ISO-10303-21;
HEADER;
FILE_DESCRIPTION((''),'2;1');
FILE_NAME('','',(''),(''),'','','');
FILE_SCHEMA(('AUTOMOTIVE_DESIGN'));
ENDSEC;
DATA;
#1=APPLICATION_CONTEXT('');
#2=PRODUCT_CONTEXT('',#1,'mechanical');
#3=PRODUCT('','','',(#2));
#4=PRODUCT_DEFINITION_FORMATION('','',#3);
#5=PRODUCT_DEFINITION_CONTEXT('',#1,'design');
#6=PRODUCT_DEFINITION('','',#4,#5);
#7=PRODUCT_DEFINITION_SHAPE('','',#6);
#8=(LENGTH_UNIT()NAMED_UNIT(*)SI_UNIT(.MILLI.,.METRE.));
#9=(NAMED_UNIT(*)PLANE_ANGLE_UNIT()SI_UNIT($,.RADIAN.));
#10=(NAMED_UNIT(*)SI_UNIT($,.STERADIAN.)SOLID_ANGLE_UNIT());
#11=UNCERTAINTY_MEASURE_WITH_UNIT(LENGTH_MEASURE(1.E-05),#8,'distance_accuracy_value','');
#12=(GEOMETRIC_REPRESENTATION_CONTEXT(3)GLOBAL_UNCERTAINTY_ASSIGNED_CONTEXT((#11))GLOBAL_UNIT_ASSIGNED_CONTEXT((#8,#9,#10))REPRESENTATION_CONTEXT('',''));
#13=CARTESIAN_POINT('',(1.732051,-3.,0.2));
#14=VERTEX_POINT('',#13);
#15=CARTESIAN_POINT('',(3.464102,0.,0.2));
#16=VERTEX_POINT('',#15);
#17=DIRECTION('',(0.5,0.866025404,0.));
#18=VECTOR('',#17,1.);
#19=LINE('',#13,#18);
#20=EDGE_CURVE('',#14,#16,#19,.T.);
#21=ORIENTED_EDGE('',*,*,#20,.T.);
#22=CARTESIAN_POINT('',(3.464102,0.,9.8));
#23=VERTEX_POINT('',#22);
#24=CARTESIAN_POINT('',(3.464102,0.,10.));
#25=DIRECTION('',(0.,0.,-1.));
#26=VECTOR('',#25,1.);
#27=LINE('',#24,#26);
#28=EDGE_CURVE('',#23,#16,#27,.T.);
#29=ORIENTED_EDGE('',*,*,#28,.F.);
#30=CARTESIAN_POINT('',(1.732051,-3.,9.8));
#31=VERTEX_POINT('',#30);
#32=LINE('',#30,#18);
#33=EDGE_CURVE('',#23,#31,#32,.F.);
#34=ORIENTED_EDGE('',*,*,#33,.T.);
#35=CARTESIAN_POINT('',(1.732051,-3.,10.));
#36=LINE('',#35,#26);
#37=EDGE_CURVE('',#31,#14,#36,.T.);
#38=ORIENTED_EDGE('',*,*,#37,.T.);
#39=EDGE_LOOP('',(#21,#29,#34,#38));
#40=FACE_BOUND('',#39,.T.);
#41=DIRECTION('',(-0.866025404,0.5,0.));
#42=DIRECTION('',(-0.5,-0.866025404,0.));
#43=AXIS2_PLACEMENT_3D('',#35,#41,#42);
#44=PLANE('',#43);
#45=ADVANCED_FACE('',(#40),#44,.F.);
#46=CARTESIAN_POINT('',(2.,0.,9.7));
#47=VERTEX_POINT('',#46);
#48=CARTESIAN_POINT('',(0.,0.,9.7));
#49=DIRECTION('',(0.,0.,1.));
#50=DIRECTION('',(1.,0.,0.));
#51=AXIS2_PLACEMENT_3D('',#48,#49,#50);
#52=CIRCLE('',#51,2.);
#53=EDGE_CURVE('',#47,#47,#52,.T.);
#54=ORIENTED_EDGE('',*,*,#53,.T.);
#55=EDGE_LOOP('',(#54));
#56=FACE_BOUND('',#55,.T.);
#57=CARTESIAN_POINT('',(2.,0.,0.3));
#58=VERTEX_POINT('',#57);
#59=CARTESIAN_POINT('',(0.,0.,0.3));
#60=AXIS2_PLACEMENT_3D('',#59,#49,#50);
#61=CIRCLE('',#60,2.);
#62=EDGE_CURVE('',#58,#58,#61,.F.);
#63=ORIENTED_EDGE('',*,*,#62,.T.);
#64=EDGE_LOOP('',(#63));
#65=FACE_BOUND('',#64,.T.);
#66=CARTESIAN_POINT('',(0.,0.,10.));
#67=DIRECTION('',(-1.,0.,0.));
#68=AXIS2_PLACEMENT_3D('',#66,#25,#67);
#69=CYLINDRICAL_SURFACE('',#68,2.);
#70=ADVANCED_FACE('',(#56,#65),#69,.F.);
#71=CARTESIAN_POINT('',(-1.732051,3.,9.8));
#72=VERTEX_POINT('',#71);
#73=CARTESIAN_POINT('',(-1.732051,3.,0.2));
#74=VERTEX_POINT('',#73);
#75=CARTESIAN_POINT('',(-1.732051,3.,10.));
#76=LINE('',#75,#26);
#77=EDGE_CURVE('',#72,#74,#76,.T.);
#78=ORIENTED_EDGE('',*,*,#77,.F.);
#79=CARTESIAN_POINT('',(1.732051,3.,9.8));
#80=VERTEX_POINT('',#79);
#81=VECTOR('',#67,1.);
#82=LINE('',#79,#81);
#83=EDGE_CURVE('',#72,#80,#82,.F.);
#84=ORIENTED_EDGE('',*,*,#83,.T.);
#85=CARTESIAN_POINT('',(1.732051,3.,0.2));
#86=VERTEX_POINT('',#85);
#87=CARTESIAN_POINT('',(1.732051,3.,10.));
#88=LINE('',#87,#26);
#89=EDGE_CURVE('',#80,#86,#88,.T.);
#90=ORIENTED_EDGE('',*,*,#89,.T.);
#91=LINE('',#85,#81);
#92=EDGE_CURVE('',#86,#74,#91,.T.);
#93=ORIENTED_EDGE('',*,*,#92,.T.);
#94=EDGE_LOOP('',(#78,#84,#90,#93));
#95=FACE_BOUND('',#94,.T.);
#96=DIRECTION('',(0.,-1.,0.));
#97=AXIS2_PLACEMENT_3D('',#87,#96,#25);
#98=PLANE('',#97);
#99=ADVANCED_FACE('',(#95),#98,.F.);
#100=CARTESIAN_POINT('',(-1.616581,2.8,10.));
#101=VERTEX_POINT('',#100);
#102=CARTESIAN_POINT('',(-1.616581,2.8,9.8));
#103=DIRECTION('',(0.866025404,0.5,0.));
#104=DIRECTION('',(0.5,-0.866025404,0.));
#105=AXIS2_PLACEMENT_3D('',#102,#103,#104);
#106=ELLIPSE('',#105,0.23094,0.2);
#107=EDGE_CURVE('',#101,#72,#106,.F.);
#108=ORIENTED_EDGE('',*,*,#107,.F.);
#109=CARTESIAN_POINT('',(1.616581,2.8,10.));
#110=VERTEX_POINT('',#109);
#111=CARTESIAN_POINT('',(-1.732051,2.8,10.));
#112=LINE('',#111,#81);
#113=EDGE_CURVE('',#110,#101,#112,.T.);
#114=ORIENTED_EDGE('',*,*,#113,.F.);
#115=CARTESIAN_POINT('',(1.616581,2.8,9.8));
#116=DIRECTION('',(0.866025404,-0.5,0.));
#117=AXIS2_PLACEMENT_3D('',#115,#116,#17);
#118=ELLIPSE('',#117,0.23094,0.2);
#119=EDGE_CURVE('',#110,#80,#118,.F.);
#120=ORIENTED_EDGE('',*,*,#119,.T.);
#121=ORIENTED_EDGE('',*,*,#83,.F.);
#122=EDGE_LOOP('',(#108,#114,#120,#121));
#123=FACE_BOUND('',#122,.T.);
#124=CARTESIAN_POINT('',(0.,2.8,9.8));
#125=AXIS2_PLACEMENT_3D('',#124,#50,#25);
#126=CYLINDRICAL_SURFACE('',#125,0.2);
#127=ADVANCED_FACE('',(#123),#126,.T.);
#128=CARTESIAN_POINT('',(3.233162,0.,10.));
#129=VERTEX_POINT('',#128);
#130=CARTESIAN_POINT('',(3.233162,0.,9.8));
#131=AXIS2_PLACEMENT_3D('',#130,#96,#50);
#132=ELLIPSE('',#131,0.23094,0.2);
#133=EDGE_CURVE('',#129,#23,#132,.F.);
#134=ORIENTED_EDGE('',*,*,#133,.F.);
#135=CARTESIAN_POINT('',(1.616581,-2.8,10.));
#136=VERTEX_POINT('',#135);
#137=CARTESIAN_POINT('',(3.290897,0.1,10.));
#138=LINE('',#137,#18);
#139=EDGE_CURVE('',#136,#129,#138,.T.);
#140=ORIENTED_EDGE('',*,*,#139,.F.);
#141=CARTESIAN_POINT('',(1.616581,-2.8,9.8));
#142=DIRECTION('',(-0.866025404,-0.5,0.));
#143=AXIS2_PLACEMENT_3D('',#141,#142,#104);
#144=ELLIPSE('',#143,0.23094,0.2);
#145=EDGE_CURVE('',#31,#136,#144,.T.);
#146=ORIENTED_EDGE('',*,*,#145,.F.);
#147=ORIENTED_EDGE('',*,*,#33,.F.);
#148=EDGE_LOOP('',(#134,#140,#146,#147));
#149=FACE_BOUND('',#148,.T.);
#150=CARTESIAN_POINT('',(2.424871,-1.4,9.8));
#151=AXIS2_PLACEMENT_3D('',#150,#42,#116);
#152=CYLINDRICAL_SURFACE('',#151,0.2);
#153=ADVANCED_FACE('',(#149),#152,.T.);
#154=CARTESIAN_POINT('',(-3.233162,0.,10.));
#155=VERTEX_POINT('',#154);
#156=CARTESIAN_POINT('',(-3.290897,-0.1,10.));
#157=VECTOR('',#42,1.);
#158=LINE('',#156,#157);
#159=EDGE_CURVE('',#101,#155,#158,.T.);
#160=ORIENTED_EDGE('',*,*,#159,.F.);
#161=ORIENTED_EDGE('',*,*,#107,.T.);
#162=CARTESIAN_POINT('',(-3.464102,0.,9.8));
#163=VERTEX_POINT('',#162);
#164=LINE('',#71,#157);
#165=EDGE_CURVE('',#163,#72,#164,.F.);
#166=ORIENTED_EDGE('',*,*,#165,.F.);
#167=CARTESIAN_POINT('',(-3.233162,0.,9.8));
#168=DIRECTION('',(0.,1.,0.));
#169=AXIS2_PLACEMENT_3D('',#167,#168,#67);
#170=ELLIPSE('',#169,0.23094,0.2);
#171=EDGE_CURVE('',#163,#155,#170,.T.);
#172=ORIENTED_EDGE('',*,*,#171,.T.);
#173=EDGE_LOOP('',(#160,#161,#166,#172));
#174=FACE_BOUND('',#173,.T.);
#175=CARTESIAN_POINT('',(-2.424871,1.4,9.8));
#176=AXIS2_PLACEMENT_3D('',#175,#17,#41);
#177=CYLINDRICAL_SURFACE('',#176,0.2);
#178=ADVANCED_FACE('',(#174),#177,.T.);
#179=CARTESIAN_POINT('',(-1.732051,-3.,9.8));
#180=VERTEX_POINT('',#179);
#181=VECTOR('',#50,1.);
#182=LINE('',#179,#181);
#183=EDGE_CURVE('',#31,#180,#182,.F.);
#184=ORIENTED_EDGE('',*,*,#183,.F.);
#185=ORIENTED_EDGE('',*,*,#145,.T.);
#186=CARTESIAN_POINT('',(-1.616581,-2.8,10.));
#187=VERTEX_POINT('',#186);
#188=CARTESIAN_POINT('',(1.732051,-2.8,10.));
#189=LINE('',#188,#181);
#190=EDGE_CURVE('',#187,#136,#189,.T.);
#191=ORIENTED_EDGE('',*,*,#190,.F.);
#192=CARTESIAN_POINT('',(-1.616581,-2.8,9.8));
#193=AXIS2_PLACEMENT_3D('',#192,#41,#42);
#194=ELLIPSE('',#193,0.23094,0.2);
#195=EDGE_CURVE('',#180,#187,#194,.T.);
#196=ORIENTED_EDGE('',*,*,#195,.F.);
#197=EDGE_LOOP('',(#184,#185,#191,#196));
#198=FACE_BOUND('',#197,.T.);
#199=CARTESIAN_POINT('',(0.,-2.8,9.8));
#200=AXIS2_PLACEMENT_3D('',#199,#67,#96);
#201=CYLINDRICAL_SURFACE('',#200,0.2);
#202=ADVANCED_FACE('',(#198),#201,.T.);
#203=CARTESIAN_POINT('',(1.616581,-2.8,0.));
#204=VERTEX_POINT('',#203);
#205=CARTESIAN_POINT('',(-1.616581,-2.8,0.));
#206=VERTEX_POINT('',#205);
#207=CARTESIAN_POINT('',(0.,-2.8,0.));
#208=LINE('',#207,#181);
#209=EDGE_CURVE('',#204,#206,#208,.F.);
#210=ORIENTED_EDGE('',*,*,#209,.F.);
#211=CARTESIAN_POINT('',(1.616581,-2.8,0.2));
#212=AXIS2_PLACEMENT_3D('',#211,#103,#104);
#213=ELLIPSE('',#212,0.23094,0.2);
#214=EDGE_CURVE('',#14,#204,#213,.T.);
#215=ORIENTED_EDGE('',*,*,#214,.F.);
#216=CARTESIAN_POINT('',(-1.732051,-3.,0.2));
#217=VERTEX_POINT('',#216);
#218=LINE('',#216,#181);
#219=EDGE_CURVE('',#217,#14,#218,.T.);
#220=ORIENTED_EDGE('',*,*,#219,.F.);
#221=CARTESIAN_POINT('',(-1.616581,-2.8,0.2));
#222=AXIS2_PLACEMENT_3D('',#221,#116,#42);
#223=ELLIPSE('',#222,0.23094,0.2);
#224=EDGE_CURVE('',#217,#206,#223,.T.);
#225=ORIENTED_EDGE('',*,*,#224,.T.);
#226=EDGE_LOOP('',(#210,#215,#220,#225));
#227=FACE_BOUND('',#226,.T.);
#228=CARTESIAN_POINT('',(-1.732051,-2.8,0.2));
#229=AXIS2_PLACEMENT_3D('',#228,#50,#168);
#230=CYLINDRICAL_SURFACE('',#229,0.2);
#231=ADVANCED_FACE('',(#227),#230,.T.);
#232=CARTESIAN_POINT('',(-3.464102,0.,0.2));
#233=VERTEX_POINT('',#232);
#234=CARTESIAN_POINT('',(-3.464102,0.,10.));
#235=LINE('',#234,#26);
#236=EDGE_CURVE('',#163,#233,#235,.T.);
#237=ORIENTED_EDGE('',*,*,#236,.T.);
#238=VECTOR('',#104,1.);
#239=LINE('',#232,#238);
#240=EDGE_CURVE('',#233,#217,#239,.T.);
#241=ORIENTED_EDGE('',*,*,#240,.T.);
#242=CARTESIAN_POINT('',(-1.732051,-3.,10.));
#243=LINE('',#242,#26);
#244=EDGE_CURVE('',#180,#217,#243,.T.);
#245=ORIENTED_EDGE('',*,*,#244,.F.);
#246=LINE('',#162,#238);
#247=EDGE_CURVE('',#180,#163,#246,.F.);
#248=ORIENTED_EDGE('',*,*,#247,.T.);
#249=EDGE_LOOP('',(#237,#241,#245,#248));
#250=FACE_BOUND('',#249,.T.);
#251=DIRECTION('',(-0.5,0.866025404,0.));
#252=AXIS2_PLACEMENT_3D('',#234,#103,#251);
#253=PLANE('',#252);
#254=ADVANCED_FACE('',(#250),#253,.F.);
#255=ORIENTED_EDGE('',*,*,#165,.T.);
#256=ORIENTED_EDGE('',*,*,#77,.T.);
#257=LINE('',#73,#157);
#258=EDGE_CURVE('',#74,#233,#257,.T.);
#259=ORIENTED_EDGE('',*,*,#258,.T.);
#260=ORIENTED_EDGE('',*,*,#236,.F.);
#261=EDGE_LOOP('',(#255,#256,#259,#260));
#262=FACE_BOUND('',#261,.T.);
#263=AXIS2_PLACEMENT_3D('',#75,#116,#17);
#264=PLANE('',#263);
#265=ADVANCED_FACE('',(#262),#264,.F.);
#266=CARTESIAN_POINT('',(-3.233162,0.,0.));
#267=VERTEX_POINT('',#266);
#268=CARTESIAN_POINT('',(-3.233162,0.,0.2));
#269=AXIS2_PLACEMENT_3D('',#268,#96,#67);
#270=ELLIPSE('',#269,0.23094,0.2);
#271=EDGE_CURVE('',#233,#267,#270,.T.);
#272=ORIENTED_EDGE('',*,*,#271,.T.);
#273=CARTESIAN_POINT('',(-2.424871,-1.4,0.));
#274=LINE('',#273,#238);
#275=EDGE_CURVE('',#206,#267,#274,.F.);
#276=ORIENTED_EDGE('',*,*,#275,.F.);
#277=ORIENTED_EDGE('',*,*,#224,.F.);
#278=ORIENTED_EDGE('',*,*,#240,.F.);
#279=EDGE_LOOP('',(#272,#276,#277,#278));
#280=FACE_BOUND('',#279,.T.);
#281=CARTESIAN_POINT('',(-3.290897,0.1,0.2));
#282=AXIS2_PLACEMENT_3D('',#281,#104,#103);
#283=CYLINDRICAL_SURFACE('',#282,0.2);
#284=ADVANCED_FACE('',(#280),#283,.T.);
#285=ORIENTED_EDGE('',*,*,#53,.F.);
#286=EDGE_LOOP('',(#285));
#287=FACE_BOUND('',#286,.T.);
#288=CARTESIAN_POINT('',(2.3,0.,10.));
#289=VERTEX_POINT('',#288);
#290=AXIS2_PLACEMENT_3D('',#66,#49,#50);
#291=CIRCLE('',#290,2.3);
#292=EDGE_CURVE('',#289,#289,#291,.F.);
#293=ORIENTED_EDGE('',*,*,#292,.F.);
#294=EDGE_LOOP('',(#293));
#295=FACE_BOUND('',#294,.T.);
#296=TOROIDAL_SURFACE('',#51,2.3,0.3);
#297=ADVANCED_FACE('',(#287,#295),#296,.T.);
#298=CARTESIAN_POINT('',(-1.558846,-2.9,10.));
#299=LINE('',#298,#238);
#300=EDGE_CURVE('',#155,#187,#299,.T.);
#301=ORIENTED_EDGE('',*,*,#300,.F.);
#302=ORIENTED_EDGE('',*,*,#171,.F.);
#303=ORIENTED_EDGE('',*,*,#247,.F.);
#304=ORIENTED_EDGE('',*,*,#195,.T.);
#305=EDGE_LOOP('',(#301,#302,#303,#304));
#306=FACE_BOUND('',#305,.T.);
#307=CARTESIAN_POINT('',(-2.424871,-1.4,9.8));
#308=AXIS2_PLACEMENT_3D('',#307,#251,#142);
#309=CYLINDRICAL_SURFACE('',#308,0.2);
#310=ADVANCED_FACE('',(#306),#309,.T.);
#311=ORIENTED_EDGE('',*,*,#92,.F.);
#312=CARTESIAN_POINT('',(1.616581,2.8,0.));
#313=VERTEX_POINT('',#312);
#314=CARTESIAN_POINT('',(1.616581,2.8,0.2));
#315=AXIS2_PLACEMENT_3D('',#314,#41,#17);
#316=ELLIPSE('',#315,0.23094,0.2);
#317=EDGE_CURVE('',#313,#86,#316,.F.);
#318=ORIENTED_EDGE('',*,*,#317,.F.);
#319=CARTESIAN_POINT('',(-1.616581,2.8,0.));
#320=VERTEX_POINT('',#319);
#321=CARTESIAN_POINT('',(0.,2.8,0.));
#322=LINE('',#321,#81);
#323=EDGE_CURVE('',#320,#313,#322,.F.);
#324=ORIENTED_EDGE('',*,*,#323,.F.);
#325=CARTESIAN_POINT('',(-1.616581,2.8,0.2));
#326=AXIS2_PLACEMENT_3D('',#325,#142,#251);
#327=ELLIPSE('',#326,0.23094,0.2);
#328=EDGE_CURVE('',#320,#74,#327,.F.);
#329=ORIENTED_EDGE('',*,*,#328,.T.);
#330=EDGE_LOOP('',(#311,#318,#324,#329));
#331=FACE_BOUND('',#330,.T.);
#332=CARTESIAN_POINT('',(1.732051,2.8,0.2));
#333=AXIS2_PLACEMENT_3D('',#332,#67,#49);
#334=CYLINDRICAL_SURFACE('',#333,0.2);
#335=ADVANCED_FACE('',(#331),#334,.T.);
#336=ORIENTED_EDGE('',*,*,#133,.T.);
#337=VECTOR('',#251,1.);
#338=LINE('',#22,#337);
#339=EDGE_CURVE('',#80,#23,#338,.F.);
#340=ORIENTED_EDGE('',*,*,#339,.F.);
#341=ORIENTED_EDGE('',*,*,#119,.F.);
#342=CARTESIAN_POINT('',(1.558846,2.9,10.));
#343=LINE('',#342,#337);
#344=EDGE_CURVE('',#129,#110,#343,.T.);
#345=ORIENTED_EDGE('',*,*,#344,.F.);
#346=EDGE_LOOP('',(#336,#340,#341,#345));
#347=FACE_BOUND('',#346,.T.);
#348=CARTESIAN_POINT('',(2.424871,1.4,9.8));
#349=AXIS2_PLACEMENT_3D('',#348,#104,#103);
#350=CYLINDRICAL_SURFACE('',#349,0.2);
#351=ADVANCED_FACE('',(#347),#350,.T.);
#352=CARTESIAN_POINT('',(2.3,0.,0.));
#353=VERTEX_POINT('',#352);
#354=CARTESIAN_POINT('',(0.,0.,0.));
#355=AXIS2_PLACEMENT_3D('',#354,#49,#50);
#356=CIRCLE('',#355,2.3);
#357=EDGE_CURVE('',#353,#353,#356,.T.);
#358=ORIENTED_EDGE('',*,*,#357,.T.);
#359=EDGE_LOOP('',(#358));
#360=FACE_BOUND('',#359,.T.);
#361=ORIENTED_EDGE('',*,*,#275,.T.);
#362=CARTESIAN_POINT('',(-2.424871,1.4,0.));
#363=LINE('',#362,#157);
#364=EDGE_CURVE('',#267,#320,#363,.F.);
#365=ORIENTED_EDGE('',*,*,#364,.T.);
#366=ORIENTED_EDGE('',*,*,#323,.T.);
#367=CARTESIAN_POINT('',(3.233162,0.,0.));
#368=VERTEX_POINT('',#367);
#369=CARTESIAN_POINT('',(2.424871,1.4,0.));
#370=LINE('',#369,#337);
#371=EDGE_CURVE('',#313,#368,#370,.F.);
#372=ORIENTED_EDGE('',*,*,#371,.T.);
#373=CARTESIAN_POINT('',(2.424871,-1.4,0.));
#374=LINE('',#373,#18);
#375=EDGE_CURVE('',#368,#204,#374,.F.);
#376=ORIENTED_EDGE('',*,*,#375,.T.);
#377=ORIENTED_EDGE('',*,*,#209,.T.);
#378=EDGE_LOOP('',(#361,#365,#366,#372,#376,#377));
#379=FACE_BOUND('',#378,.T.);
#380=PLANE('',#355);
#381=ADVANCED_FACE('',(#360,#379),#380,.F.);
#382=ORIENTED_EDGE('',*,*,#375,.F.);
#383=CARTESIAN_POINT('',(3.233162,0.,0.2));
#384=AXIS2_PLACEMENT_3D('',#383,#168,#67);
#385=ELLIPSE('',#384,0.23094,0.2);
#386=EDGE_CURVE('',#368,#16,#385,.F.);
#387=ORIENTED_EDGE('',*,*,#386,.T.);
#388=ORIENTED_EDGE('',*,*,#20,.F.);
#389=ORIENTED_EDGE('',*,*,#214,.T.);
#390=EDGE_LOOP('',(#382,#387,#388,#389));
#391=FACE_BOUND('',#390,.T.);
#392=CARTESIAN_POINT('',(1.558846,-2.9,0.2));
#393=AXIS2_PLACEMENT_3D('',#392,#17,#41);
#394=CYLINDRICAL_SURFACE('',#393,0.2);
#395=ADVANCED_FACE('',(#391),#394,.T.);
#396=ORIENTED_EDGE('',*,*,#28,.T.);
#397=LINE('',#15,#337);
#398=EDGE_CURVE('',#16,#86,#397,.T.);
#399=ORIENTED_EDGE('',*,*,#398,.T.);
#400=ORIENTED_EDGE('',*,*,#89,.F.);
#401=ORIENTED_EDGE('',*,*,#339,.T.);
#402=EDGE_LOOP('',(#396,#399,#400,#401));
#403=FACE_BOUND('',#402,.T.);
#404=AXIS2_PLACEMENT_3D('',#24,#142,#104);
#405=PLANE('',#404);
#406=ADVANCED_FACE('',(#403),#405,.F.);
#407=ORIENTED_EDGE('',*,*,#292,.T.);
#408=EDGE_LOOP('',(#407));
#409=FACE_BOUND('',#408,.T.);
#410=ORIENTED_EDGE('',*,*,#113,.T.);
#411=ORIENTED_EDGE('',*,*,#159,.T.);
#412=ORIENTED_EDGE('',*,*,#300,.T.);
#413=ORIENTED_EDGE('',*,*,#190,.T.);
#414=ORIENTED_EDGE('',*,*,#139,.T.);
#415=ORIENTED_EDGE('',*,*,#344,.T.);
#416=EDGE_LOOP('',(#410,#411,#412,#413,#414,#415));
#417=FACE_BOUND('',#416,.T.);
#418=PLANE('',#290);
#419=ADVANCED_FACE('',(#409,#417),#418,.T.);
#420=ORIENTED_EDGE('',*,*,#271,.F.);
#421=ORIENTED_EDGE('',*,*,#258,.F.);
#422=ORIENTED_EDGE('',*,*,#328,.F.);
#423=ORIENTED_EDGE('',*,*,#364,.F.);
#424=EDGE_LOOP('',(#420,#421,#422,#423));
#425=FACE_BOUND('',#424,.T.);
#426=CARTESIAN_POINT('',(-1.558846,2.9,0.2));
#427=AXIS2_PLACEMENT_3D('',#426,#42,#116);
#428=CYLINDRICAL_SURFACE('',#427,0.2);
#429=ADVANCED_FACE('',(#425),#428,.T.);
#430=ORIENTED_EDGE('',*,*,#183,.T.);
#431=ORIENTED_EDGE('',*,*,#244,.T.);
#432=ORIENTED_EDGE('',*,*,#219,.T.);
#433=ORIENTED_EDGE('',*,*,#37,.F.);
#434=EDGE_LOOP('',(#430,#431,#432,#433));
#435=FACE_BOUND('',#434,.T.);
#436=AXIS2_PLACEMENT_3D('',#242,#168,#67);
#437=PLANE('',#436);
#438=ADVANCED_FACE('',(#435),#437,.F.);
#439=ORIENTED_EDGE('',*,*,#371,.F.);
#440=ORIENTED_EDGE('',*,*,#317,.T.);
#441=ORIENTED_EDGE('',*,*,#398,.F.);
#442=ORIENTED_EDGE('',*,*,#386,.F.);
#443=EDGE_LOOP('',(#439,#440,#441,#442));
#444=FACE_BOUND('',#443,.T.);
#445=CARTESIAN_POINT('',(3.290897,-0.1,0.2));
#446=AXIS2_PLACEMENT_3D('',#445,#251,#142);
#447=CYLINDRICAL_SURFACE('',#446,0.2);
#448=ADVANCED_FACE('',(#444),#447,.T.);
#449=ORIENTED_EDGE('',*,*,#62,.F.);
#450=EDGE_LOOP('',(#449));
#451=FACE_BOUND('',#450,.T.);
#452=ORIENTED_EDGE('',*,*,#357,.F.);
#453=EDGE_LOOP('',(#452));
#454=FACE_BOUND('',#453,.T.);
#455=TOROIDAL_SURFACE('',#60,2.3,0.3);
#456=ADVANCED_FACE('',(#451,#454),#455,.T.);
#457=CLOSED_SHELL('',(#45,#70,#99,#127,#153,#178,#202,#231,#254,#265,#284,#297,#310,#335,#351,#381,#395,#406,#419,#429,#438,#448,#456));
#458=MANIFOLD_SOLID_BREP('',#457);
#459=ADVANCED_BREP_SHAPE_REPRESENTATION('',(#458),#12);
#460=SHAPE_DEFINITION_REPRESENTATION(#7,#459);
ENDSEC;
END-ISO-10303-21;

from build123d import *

# Parameters (mm, degrees)
SKETCH1_R           = 2
BOSS_EXTRUDE1_DEPTH = 10
FILLET1_R           = 0.3
FILLET2_R           = 0.2


with BuildPart() as part:
    # Sketch1 → Boss-Extrude1 (new body)
    with BuildSketch(Plane.XY):
        Polygon((3.464101615, 0), (1.732050808, 3), (-1.732050808, 3), (-3.464101615, 0), (-1.732050808, -3), (1.732050808, -3), align=None)
        Circle(SKETCH1_R, mode=Mode.SUBTRACT)
    extrude(amount=BOSS_EXTRUDE1_DEPTH)

    # Fillet1
    fillet1_edges = [part.edges().sort_by_distance(p)[0] for p in [
        (-2, 0, 0),
        (-2, 0, 10),
    ]]
    fillet(fillet1_edges, radius=FILLET1_R)

    # Fillet2
    fillet2_edges = [part.edges().sort_by_distance(p)[0] for p in [
        (0, 3, 10),
        (-2.598076211, 1.5, 10),
        (-2.598076211, -1.5, 10),
        (0, -3, 10),
        (2.598076211, -1.5, 10),
        (0, -3, 0),
        (-2.598076211, -1.5, 0),
        (-2.598076211, 1.5, 0),
        (2.598076211, 1.5, 10),
        (0, 3, 0),
        (2.598076211, 1.5, 0),
        (2.598076211, -1.5, 0),
    ]]
    fillet(fillet2_edges, radius=FILLET2_R)


solid = part.part
